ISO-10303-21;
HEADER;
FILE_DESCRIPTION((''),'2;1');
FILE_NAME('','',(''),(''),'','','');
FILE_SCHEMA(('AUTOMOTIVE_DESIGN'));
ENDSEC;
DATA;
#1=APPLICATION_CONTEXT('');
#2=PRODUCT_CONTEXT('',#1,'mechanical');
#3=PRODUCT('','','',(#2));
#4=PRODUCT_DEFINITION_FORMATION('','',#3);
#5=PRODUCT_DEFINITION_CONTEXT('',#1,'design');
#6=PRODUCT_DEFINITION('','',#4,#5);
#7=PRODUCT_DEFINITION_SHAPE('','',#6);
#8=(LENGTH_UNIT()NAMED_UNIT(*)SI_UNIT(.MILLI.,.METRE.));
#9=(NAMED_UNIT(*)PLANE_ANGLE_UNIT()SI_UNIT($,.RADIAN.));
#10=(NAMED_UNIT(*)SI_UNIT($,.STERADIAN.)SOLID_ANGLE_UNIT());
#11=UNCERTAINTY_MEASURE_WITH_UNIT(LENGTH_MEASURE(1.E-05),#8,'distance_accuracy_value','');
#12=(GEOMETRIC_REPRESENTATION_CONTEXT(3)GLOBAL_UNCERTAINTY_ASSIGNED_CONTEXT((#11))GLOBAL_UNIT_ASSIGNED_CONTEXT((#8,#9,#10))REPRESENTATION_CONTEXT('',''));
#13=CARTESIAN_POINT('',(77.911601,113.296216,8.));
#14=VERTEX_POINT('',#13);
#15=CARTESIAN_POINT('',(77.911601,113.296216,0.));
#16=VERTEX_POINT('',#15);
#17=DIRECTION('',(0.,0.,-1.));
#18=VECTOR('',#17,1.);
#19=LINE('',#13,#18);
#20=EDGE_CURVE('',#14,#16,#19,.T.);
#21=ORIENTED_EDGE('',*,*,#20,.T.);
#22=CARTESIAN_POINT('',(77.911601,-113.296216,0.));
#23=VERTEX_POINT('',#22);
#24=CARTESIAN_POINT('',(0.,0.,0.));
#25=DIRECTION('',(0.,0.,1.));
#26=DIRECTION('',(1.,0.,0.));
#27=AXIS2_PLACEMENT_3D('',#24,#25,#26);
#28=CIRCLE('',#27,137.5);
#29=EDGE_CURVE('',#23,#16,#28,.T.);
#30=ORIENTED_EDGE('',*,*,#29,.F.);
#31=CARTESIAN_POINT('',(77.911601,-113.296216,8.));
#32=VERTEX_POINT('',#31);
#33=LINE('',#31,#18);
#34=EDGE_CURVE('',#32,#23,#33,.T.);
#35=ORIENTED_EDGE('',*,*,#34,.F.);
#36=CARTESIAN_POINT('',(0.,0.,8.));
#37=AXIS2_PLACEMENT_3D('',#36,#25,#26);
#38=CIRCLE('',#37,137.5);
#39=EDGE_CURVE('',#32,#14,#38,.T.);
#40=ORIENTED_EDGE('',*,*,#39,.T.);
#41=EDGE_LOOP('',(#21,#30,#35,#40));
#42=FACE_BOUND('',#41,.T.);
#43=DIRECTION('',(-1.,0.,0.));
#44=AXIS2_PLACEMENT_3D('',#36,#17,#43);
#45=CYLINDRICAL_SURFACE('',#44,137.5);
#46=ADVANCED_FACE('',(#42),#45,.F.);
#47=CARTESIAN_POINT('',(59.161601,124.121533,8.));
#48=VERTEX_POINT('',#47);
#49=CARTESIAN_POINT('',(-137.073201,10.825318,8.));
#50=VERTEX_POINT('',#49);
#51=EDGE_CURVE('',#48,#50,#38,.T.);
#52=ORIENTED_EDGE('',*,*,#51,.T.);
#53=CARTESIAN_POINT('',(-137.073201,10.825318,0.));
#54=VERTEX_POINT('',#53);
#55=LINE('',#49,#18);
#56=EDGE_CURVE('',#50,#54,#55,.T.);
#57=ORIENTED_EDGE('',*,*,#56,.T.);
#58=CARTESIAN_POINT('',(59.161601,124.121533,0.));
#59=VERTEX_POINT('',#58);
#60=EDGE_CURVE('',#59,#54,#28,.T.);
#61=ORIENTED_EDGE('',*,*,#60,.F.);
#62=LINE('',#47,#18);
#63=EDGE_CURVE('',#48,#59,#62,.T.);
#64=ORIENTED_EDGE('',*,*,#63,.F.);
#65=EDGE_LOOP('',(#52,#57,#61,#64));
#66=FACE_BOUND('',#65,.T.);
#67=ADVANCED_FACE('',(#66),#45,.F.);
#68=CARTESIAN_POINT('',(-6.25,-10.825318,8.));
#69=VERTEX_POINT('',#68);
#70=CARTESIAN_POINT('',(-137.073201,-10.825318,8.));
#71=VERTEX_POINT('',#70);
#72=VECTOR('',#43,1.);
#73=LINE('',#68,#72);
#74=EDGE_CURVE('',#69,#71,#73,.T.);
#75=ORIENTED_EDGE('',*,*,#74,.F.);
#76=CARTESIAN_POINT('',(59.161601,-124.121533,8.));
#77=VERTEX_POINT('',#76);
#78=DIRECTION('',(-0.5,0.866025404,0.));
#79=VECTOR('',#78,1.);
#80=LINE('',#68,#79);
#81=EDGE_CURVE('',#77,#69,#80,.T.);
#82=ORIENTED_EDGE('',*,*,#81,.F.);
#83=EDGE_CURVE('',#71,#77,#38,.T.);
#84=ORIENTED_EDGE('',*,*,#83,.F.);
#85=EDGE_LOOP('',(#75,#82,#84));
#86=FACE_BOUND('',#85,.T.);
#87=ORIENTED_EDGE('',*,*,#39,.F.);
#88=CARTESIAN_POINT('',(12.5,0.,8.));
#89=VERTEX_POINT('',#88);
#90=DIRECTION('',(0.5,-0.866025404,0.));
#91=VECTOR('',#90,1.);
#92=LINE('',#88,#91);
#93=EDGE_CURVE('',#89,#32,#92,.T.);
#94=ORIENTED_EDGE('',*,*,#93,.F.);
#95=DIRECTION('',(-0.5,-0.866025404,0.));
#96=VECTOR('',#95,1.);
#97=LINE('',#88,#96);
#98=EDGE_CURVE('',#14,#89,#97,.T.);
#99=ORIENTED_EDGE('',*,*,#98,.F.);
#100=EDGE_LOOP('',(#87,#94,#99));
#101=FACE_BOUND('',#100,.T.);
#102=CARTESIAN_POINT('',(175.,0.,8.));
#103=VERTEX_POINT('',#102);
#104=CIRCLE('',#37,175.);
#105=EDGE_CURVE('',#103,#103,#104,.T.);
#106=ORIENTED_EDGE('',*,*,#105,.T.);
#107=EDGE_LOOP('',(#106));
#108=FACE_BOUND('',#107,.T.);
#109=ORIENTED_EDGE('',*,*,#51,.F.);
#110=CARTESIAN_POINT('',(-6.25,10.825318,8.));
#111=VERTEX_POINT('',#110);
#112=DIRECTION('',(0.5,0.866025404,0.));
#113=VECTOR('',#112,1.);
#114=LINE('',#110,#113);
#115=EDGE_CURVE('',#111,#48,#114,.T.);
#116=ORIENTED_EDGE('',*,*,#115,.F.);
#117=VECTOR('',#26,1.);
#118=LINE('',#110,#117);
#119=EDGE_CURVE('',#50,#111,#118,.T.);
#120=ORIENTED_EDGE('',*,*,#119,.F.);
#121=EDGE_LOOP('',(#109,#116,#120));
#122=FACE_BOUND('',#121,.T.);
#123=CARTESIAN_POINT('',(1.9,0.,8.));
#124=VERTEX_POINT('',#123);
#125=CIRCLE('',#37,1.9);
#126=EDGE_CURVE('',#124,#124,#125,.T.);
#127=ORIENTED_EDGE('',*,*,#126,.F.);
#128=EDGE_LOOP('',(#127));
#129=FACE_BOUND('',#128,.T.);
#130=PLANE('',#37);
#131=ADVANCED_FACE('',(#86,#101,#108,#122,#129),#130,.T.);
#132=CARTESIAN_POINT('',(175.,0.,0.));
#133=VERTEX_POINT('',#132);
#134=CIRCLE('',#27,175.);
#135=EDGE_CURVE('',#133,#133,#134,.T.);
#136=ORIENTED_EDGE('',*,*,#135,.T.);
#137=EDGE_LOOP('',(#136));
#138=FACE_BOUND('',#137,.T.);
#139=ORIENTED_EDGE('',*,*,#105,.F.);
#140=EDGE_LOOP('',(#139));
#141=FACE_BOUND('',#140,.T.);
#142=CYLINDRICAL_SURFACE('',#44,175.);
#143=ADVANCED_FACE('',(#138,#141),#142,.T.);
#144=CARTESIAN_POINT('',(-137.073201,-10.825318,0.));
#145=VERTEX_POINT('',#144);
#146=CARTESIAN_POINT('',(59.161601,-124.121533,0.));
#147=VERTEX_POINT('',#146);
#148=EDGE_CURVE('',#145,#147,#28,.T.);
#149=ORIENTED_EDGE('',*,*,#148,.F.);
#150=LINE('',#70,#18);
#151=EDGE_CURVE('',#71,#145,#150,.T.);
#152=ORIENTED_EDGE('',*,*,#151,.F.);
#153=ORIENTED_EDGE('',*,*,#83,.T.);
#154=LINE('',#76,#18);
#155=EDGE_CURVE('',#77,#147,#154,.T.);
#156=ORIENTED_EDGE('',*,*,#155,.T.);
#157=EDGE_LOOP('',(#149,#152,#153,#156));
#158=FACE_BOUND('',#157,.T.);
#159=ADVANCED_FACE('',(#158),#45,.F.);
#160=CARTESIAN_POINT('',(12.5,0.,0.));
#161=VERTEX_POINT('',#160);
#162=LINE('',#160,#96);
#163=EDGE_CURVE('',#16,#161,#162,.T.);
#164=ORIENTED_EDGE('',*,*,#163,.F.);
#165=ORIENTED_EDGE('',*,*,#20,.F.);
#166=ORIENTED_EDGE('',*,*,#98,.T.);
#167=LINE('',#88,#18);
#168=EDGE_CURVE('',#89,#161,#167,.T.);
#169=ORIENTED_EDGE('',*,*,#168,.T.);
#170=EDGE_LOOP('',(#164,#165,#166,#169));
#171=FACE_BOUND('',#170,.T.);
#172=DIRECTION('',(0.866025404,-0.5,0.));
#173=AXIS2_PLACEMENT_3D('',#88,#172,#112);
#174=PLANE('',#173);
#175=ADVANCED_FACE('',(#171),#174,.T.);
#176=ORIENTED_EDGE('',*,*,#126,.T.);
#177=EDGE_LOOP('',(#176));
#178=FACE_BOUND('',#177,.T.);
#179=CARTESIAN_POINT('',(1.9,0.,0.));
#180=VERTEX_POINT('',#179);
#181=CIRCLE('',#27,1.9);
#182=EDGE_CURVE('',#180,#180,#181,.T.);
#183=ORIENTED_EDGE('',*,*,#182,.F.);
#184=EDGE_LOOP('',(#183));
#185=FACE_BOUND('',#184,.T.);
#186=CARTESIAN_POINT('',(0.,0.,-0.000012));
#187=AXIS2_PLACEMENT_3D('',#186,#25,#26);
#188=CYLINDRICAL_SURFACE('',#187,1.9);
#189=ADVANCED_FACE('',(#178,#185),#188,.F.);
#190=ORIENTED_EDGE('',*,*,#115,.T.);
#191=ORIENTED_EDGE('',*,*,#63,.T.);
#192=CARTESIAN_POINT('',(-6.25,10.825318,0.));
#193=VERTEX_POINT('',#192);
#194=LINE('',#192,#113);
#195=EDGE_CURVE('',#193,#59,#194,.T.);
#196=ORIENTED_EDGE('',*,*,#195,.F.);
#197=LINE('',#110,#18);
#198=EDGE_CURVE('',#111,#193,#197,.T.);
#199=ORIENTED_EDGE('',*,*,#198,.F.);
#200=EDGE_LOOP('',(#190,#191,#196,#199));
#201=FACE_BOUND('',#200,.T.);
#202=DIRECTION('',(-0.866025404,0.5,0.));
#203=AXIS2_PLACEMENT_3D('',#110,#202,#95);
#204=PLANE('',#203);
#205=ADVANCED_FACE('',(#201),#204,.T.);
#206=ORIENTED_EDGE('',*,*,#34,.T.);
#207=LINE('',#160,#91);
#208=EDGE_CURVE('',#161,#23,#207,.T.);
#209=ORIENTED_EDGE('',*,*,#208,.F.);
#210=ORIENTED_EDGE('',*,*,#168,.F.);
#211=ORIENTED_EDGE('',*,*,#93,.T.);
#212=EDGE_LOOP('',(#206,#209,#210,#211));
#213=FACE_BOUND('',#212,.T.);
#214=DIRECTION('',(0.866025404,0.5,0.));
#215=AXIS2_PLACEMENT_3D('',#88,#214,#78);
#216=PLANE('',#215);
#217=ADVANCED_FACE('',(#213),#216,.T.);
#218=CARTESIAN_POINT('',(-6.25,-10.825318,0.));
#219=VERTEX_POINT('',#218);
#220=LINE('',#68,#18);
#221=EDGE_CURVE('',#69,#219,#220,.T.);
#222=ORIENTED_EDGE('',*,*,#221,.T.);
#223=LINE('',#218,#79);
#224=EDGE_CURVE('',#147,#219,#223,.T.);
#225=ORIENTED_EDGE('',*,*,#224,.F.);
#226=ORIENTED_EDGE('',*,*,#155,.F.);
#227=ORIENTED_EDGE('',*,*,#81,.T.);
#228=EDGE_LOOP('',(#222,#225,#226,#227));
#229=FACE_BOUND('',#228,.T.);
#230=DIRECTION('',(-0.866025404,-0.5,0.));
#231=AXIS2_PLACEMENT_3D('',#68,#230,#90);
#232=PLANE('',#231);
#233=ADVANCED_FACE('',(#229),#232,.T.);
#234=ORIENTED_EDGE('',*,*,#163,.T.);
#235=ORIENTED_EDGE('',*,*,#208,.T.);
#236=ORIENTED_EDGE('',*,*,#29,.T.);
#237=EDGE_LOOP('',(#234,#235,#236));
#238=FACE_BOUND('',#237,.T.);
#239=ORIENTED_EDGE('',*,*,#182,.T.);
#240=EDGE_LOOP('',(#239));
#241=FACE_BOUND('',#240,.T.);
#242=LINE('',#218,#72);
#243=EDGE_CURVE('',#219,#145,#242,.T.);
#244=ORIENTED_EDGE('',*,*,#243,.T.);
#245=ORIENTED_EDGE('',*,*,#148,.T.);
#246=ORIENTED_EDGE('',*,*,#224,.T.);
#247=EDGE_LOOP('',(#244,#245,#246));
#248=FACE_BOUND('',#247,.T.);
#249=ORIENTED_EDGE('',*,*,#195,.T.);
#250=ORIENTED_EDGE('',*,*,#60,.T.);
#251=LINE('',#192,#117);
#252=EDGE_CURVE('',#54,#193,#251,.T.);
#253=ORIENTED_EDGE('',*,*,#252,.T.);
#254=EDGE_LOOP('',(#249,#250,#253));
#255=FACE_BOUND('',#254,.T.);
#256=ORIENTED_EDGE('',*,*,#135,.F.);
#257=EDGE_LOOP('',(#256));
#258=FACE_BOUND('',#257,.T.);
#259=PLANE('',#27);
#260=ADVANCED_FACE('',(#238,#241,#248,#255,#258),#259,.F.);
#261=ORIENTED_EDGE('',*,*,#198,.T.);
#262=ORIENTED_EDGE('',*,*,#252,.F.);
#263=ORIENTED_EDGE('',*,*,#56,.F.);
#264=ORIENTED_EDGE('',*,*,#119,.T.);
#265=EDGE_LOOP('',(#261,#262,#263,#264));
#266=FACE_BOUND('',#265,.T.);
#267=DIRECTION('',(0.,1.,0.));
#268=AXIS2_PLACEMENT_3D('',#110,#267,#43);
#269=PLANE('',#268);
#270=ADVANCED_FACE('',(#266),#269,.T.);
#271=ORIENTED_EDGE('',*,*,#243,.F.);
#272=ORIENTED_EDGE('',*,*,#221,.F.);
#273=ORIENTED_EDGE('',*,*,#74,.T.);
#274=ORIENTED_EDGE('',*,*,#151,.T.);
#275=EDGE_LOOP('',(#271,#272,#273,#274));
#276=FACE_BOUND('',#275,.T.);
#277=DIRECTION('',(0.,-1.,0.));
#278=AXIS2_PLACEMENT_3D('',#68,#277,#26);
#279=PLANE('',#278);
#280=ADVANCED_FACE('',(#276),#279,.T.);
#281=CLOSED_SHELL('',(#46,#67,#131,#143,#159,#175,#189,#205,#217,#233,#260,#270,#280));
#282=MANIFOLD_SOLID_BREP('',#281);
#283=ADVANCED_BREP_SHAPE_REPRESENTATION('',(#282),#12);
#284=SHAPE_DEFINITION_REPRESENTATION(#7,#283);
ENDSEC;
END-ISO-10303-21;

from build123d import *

# Parameters (mm, degrees)
SKETCH1_R               = 175
BOSS_EXTRUDE1_DEPTH     = 8
SKETCH2_R               = 1.9
CUT_EXTRUDE2_DEPTH      = 9
CUT_EXTRUDE2_DEPTH_BACK = 1


with BuildPart() as part:
    # Sketch1 → Boss-Extrude1 (new body)
    with BuildSketch(Plane.XY):
        Circle(SKETCH1_R)
        with BuildLine():
            Line((-6.25, 10.825317547), (-137.073201247, 10.825317547))
            ThreePointArc((-137.073201247, 10.825317547), (-68.75, 119.07849302), (59.161600623, 124.121533231))
            Line((59.161600623, 124.121533231), (-6.25, 10.825317547))
        make_face(mode=Mode.SUBTRACT)
        with BuildLine():
            Line((-6.25, -10.825317547), (-137.073201247, -10.825317547))
            ThreePointArc((-137.073201247, -10.825317547), (-68.75, -119.07849302), (59.161600623, -124.121533231))
            Line((59.161600623, -124.121533231), (-6.25, -10.825317547))
        make_face(mode=Mode.SUBTRACT)
        with BuildLine():
            Line((12.5, 0), (77.911600623, 113.296215684))
            ThreePointArc((77.911600623, 113.296215684), (137.5, 0), (77.911600623, -113.296215684))
            Line((77.911600623, -113.296215684), (12.5, 0))
        make_face(mode=Mode.SUBTRACT)
    extrude(amount=BOSS_EXTRUDE1_DEPTH)

    # Sketch2 → Cut-Extrude2 (cut, two sides)
    with BuildSketch(Plane.XY) as cut_extrude2_sk:
        Circle(SKETCH2_R)
    extrude(amount=CUT_EXTRUDE2_DEPTH, mode=Mode.SUBTRACT)
    extrude(cut_extrude2_sk.sketch, amount=-CUT_EXTRUDE2_DEPTH_BACK, mode=Mode.SUBTRACT)


solid = part.part
